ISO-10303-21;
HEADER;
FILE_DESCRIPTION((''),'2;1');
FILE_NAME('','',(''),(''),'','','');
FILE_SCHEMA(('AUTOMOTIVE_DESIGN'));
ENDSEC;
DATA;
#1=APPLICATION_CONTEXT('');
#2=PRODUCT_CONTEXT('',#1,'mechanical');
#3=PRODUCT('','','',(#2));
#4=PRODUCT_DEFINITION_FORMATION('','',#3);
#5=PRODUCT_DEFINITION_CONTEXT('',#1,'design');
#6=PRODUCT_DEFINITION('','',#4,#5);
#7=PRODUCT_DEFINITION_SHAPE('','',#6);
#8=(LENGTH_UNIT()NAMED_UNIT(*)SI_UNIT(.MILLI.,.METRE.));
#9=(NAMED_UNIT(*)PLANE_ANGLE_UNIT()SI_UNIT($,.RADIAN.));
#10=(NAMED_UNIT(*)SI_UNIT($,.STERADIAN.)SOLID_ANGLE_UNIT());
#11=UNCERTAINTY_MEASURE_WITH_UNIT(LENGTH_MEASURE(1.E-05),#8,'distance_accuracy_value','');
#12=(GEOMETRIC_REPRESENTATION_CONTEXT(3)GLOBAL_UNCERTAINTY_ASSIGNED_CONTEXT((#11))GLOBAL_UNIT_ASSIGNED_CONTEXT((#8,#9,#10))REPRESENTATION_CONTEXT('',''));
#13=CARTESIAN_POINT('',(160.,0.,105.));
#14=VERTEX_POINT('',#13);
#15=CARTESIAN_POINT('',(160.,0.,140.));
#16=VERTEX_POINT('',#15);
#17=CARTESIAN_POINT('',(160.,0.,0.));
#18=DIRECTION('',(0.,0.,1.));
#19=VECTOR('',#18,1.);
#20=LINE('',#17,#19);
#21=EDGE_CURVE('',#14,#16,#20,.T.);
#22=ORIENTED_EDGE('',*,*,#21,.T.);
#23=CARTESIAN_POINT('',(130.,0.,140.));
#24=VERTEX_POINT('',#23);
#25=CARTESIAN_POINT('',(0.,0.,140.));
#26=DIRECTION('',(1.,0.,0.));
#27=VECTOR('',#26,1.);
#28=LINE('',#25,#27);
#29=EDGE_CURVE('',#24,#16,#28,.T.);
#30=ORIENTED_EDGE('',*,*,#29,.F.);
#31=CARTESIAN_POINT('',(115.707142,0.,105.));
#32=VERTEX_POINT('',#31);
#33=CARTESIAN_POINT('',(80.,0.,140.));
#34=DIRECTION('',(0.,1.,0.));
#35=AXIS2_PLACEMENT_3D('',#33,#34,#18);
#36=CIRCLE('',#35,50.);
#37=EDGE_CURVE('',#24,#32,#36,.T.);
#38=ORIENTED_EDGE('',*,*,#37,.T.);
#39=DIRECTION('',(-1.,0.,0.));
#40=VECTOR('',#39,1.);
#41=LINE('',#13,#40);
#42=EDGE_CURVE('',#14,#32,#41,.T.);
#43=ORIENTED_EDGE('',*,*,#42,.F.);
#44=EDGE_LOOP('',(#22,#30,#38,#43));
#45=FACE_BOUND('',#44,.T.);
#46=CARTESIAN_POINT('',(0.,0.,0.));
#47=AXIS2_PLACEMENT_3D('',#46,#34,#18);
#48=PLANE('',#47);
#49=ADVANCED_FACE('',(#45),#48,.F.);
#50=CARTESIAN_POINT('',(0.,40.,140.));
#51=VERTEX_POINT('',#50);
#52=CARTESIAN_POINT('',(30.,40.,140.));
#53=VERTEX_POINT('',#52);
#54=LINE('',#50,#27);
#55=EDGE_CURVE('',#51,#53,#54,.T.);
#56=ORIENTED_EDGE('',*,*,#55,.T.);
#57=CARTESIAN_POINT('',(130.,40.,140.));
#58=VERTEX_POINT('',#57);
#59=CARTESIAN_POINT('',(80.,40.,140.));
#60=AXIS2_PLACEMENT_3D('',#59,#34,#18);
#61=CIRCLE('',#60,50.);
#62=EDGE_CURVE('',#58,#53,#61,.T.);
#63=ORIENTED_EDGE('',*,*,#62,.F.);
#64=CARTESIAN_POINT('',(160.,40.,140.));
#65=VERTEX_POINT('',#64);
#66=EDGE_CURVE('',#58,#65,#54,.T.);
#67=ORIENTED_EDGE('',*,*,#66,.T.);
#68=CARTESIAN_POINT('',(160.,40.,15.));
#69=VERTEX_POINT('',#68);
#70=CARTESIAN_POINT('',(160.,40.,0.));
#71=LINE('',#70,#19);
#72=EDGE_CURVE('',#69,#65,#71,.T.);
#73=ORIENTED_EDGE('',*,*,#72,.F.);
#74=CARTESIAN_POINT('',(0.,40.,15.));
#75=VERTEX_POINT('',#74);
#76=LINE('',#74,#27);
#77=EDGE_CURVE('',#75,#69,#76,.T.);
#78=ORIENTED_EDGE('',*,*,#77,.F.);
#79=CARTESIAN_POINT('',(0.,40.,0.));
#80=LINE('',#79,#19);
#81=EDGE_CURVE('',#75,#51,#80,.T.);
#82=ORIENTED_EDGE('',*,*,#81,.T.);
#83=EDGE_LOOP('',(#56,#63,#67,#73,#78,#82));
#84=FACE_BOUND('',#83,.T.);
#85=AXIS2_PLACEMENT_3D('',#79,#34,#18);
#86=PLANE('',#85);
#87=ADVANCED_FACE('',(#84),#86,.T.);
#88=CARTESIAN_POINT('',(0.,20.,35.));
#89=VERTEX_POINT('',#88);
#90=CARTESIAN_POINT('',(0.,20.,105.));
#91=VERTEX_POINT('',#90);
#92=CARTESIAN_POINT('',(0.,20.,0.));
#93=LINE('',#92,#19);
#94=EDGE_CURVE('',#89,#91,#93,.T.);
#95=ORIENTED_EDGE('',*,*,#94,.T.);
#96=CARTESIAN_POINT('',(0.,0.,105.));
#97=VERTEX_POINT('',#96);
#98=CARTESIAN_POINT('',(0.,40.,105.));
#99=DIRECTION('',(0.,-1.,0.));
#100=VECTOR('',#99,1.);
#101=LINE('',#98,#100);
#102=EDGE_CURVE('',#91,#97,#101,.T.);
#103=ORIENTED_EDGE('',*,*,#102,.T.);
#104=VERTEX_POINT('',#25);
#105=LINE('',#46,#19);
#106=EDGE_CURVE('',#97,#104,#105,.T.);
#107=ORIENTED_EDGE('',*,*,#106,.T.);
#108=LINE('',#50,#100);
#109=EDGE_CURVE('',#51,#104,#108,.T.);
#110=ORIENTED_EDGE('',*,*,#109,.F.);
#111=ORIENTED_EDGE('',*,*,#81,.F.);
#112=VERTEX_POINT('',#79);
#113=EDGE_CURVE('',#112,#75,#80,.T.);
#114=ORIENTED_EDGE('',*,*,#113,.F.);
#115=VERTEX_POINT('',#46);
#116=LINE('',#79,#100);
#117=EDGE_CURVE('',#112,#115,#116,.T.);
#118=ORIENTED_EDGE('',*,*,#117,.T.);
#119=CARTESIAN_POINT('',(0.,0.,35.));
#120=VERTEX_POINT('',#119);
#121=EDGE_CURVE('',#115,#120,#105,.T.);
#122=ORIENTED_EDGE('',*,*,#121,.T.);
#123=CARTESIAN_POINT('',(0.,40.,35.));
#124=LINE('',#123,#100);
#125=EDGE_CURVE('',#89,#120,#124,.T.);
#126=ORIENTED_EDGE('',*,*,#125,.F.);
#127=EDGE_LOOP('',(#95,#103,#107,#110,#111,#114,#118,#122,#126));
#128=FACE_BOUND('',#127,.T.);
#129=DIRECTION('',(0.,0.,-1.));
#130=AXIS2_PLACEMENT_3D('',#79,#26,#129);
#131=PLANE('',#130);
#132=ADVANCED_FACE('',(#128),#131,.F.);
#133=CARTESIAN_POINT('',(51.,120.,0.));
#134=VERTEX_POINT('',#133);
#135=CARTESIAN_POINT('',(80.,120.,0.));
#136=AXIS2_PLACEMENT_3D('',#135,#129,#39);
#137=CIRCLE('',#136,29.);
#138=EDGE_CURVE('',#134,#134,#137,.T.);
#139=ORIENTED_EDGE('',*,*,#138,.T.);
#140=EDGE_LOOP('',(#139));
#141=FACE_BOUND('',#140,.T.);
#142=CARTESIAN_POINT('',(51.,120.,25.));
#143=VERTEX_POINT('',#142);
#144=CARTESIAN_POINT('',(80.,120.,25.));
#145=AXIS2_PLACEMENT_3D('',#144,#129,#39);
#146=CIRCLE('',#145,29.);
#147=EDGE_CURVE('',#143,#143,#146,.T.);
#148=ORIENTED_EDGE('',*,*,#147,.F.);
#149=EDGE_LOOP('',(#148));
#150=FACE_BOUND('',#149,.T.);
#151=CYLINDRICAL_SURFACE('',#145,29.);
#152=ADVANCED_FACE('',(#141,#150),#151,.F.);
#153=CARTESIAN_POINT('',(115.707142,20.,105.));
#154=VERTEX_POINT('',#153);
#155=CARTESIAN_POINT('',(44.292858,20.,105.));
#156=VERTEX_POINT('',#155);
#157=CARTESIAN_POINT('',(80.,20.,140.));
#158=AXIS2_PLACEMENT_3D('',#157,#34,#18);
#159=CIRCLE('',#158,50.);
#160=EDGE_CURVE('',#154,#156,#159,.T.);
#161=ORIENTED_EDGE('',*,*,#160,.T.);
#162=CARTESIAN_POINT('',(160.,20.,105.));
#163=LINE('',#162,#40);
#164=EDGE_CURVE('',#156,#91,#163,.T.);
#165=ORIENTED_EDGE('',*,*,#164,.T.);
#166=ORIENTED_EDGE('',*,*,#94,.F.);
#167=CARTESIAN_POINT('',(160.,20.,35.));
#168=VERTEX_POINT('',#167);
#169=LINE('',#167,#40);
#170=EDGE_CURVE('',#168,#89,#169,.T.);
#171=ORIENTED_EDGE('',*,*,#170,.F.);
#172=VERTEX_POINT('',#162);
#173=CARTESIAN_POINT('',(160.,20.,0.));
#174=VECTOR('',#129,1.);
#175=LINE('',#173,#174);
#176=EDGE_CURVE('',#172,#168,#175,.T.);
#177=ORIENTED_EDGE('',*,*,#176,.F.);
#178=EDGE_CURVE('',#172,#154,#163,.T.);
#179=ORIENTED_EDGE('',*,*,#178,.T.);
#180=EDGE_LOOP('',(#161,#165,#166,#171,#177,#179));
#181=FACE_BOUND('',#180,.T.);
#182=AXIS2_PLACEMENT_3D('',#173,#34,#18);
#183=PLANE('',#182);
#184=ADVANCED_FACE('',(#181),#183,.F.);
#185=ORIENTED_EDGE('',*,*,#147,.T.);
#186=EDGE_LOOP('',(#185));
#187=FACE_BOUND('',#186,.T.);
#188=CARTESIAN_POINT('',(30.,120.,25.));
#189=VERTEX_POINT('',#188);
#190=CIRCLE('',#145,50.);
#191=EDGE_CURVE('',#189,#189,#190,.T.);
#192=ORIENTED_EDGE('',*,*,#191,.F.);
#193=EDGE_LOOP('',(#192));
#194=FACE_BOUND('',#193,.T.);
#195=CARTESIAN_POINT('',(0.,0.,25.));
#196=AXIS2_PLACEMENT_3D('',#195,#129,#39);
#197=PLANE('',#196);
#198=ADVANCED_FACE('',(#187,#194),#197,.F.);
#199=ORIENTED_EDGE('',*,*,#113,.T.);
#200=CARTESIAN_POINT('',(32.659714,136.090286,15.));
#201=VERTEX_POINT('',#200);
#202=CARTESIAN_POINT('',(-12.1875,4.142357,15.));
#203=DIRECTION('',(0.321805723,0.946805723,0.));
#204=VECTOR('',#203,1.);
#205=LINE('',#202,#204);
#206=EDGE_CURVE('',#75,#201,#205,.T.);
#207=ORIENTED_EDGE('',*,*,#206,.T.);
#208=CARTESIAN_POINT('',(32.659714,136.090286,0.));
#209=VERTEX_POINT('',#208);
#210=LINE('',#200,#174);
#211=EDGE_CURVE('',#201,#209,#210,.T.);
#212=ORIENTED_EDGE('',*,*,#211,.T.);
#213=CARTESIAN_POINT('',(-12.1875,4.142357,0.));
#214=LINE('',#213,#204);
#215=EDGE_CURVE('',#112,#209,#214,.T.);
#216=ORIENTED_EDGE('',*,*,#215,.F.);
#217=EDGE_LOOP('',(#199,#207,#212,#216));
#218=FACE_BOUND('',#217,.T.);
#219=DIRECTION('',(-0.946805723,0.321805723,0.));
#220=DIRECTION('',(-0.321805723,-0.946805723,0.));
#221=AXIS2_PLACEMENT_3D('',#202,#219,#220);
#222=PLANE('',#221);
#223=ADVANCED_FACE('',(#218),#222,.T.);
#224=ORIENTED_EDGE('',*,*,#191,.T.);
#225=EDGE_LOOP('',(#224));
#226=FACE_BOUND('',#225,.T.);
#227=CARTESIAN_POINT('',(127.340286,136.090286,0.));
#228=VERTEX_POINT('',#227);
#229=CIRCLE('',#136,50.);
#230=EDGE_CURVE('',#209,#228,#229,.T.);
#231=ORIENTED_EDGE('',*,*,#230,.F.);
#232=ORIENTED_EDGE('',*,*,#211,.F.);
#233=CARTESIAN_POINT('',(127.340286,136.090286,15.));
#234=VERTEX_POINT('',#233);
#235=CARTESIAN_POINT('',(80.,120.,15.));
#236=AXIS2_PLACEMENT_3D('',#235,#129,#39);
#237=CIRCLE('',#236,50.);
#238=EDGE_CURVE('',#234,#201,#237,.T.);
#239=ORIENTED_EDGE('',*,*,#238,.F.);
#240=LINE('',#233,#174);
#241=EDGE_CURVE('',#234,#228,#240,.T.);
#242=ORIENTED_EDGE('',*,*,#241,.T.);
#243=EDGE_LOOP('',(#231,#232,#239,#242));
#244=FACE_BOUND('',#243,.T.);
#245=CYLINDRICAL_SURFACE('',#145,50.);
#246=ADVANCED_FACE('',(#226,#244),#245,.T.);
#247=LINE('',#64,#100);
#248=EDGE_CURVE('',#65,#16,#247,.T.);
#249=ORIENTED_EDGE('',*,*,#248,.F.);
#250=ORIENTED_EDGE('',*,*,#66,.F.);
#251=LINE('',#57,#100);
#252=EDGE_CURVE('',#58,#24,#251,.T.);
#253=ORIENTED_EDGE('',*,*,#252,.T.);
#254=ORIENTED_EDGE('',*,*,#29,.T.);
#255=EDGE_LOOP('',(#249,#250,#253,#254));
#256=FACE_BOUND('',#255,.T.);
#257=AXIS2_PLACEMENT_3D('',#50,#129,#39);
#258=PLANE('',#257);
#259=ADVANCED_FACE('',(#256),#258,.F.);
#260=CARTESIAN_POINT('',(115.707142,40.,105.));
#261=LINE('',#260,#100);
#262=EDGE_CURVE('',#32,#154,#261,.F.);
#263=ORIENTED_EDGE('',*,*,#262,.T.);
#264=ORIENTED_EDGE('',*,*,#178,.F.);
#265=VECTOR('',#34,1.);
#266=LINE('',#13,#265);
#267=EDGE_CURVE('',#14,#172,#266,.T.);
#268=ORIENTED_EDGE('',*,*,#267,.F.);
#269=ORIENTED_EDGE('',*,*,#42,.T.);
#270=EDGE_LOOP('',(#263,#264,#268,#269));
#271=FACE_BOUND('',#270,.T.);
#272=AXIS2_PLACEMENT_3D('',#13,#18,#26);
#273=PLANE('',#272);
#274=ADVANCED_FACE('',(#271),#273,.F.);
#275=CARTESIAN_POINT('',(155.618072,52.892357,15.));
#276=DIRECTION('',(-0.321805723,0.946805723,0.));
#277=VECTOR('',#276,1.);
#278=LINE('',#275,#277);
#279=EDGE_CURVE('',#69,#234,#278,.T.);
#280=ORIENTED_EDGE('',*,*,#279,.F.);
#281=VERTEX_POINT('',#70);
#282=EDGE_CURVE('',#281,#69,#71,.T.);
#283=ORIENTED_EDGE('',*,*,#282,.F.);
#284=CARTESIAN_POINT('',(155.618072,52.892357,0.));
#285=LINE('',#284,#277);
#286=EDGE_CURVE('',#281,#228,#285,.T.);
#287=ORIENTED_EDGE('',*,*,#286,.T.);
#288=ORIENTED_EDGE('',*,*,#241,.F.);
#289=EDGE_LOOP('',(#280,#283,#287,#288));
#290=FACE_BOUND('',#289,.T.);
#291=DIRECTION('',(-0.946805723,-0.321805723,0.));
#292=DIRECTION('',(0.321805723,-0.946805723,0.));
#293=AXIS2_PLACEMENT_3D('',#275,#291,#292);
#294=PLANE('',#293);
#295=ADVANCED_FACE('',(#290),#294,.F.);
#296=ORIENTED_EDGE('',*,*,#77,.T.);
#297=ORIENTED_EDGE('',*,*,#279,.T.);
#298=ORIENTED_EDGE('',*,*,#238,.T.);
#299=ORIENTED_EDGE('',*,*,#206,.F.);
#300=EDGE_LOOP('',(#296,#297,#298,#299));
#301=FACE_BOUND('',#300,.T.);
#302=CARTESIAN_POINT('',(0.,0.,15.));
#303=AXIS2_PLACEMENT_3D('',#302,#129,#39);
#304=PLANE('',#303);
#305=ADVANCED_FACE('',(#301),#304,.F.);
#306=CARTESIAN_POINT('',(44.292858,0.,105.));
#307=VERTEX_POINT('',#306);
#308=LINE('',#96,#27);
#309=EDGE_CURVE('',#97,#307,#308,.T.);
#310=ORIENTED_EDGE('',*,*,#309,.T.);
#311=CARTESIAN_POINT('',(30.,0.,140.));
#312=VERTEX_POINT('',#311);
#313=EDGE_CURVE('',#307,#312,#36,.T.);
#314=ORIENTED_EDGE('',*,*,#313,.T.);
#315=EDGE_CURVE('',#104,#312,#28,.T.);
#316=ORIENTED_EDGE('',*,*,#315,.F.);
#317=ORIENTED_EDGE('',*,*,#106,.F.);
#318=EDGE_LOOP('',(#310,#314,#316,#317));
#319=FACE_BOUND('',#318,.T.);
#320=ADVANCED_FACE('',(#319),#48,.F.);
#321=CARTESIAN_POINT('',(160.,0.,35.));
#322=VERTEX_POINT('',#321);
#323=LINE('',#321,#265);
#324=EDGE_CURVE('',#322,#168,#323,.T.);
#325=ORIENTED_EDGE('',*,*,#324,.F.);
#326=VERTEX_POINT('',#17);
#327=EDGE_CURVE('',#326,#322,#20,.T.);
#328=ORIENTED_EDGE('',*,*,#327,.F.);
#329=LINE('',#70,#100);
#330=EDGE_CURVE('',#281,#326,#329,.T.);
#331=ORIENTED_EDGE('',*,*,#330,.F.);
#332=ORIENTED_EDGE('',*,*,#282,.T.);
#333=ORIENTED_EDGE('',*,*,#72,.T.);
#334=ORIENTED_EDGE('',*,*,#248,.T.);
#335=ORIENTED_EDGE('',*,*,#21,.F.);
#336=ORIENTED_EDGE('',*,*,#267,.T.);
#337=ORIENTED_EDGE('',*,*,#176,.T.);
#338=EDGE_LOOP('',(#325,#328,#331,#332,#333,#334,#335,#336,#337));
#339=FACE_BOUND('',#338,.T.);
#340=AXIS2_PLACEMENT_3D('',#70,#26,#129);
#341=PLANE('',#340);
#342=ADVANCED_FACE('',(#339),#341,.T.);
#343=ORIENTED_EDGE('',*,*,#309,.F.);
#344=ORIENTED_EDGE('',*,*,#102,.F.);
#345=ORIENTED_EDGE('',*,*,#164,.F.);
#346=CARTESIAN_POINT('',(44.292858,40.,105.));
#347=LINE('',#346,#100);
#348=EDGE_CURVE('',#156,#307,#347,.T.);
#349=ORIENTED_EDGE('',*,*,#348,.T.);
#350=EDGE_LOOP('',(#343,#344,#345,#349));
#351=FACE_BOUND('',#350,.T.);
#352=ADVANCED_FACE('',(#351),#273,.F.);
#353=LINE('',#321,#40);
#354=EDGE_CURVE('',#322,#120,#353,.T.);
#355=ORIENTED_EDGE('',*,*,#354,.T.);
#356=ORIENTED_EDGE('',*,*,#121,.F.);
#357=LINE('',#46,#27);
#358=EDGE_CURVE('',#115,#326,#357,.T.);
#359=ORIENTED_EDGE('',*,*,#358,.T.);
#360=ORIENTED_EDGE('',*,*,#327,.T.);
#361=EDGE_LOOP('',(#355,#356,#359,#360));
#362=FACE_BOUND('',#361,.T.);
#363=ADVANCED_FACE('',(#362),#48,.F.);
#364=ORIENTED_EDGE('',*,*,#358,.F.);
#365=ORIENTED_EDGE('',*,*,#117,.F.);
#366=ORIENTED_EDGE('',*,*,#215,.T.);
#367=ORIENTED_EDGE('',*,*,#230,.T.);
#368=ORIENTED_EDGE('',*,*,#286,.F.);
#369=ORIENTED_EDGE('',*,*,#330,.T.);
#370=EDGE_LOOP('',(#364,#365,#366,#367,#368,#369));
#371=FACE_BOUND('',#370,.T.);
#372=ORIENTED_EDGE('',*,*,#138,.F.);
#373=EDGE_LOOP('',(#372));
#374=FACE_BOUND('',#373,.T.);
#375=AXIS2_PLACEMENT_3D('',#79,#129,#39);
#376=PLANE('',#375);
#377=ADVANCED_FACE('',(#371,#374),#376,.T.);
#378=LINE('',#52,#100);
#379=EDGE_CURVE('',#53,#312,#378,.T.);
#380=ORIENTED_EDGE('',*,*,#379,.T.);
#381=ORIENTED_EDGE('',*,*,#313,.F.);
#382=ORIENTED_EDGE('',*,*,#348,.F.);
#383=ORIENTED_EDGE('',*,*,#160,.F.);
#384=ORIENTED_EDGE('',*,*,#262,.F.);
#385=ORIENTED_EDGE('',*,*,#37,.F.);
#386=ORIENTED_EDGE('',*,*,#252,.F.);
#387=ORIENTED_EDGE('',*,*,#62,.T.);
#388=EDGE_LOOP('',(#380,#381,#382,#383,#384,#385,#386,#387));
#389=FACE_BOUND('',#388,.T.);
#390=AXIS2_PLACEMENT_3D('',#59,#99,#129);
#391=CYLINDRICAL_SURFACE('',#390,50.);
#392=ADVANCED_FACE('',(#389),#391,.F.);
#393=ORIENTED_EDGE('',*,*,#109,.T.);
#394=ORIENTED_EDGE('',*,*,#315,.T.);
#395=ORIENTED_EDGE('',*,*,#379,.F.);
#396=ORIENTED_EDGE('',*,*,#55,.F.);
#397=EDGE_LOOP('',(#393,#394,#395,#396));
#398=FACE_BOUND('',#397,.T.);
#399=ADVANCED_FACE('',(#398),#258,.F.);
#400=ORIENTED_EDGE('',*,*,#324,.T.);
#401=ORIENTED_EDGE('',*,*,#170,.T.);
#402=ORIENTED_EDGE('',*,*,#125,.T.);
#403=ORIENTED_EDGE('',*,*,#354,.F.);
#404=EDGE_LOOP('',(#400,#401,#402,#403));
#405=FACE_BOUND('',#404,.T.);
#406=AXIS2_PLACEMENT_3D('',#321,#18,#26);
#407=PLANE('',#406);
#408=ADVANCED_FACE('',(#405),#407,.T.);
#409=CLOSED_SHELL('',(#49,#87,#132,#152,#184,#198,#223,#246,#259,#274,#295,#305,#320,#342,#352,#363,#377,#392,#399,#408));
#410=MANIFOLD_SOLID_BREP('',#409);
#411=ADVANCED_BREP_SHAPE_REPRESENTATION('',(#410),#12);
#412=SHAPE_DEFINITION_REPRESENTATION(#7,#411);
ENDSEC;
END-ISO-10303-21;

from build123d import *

# Parameters (mm, degrees)
EXTRUDE_1_DEPTH          = 40
CUT_EXTRUDE_1_DEPTH      = 217.333076528
CUT_EXTRUDE_1_DEPTH_BACK = 217.333076528
SKETCH_4_W               = 70
SKETCH_4_H               = 20
EXTRUDE_2_DEPTH          = 15
EXTRUDE_3_DEPTH          = 25


with BuildPart() as part:
    # 草图1 → 凸台-拉伸1 (new body)
    with BuildSketch(Plane(origin=(0, 0, 0), x_dir=(1, 0, 0), z_dir=(0, 1, 0))):
        with BuildLine():
            Line((160, 0), (0, 0))
            Line((0, 0), (0, -140))
            Line((0, -140), (30, -140))
            ThreePointArc((30, -140), (80, -90), (130, -140))
            Line((130, -140), (160, -140))
            Line((160, -140), (160, 0))
        make_face()
    extrude(amount=EXTRUDE_1_DEPTH)

    # 草图4 → 切除-拉伸1 (cut, two sides: drawn at the far end of the back side and taken through both)
    with BuildSketch(Plane.ZY.offset(-CUT_EXTRUDE_1_DEPTH_BACK)):
        with Locations((70, 10)):
            Rectangle(SKETCH_4_W, SKETCH_4_H)
    extrude(amount=CUT_EXTRUDE_1_DEPTH + CUT_EXTRUDE_1_DEPTH_BACK, mode=Mode.SUBTRACT)

    # 草图5 → 凸台-拉伸2 (add)
    with BuildSketch(Plane(origin=(0, 0, 0), x_dir=(-1, 0, 0), z_dir=(0, 0, -1))):
        with BuildLine():
            Line((-160, 40), (0, 40))
            Line((0, 40), (-32.659713859, 136.090286141))
            ThreePointArc((-32.659713859, 136.090286141), (-80, 70), (-127.340286141, 136.090286141))
            Line((-127.340286141, 136.090286141), (-160, 40))
        make_face()
    extrude(amount=-EXTRUDE_2_DEPTH)

    # 草图5<3> → 凸台-拉伸3 (add)
    with BuildSketch(Plane(origin=(0, 0, 0), x_dir=(-1, 0, 0), z_dir=(0, 0, -1))):
        with BuildLine():
            ThreePointArc((-127.340286141, 136.090286141), (-120.647966167, 90.883976122), (-80, 70))
            ThreePointArc((-80, 70), (-44.644660941, 84.644660941), (-30, 120))
            ThreePointArc((-30, 120), (-30.669409556, 128.154314593), (-32.659713859, 136.090286141))
            ThreePointArc((-32.659713859, 136.090286141), (-80, 170), (-127.340286141, 136.090286141))
        make_face()
        with BuildLine():
            ThreePointArc((-51, 120), (-59.493903346, 99.493903346), (-80, 91))
            ThreePointArc((-80, 91), (-100.506096654, 140.506096654), (-51, 120))
        make_face(mode=Mode.SUBTRACT)
    extrude(amount=-EXTRUDE_3_DEPTH)


solid = part.part
